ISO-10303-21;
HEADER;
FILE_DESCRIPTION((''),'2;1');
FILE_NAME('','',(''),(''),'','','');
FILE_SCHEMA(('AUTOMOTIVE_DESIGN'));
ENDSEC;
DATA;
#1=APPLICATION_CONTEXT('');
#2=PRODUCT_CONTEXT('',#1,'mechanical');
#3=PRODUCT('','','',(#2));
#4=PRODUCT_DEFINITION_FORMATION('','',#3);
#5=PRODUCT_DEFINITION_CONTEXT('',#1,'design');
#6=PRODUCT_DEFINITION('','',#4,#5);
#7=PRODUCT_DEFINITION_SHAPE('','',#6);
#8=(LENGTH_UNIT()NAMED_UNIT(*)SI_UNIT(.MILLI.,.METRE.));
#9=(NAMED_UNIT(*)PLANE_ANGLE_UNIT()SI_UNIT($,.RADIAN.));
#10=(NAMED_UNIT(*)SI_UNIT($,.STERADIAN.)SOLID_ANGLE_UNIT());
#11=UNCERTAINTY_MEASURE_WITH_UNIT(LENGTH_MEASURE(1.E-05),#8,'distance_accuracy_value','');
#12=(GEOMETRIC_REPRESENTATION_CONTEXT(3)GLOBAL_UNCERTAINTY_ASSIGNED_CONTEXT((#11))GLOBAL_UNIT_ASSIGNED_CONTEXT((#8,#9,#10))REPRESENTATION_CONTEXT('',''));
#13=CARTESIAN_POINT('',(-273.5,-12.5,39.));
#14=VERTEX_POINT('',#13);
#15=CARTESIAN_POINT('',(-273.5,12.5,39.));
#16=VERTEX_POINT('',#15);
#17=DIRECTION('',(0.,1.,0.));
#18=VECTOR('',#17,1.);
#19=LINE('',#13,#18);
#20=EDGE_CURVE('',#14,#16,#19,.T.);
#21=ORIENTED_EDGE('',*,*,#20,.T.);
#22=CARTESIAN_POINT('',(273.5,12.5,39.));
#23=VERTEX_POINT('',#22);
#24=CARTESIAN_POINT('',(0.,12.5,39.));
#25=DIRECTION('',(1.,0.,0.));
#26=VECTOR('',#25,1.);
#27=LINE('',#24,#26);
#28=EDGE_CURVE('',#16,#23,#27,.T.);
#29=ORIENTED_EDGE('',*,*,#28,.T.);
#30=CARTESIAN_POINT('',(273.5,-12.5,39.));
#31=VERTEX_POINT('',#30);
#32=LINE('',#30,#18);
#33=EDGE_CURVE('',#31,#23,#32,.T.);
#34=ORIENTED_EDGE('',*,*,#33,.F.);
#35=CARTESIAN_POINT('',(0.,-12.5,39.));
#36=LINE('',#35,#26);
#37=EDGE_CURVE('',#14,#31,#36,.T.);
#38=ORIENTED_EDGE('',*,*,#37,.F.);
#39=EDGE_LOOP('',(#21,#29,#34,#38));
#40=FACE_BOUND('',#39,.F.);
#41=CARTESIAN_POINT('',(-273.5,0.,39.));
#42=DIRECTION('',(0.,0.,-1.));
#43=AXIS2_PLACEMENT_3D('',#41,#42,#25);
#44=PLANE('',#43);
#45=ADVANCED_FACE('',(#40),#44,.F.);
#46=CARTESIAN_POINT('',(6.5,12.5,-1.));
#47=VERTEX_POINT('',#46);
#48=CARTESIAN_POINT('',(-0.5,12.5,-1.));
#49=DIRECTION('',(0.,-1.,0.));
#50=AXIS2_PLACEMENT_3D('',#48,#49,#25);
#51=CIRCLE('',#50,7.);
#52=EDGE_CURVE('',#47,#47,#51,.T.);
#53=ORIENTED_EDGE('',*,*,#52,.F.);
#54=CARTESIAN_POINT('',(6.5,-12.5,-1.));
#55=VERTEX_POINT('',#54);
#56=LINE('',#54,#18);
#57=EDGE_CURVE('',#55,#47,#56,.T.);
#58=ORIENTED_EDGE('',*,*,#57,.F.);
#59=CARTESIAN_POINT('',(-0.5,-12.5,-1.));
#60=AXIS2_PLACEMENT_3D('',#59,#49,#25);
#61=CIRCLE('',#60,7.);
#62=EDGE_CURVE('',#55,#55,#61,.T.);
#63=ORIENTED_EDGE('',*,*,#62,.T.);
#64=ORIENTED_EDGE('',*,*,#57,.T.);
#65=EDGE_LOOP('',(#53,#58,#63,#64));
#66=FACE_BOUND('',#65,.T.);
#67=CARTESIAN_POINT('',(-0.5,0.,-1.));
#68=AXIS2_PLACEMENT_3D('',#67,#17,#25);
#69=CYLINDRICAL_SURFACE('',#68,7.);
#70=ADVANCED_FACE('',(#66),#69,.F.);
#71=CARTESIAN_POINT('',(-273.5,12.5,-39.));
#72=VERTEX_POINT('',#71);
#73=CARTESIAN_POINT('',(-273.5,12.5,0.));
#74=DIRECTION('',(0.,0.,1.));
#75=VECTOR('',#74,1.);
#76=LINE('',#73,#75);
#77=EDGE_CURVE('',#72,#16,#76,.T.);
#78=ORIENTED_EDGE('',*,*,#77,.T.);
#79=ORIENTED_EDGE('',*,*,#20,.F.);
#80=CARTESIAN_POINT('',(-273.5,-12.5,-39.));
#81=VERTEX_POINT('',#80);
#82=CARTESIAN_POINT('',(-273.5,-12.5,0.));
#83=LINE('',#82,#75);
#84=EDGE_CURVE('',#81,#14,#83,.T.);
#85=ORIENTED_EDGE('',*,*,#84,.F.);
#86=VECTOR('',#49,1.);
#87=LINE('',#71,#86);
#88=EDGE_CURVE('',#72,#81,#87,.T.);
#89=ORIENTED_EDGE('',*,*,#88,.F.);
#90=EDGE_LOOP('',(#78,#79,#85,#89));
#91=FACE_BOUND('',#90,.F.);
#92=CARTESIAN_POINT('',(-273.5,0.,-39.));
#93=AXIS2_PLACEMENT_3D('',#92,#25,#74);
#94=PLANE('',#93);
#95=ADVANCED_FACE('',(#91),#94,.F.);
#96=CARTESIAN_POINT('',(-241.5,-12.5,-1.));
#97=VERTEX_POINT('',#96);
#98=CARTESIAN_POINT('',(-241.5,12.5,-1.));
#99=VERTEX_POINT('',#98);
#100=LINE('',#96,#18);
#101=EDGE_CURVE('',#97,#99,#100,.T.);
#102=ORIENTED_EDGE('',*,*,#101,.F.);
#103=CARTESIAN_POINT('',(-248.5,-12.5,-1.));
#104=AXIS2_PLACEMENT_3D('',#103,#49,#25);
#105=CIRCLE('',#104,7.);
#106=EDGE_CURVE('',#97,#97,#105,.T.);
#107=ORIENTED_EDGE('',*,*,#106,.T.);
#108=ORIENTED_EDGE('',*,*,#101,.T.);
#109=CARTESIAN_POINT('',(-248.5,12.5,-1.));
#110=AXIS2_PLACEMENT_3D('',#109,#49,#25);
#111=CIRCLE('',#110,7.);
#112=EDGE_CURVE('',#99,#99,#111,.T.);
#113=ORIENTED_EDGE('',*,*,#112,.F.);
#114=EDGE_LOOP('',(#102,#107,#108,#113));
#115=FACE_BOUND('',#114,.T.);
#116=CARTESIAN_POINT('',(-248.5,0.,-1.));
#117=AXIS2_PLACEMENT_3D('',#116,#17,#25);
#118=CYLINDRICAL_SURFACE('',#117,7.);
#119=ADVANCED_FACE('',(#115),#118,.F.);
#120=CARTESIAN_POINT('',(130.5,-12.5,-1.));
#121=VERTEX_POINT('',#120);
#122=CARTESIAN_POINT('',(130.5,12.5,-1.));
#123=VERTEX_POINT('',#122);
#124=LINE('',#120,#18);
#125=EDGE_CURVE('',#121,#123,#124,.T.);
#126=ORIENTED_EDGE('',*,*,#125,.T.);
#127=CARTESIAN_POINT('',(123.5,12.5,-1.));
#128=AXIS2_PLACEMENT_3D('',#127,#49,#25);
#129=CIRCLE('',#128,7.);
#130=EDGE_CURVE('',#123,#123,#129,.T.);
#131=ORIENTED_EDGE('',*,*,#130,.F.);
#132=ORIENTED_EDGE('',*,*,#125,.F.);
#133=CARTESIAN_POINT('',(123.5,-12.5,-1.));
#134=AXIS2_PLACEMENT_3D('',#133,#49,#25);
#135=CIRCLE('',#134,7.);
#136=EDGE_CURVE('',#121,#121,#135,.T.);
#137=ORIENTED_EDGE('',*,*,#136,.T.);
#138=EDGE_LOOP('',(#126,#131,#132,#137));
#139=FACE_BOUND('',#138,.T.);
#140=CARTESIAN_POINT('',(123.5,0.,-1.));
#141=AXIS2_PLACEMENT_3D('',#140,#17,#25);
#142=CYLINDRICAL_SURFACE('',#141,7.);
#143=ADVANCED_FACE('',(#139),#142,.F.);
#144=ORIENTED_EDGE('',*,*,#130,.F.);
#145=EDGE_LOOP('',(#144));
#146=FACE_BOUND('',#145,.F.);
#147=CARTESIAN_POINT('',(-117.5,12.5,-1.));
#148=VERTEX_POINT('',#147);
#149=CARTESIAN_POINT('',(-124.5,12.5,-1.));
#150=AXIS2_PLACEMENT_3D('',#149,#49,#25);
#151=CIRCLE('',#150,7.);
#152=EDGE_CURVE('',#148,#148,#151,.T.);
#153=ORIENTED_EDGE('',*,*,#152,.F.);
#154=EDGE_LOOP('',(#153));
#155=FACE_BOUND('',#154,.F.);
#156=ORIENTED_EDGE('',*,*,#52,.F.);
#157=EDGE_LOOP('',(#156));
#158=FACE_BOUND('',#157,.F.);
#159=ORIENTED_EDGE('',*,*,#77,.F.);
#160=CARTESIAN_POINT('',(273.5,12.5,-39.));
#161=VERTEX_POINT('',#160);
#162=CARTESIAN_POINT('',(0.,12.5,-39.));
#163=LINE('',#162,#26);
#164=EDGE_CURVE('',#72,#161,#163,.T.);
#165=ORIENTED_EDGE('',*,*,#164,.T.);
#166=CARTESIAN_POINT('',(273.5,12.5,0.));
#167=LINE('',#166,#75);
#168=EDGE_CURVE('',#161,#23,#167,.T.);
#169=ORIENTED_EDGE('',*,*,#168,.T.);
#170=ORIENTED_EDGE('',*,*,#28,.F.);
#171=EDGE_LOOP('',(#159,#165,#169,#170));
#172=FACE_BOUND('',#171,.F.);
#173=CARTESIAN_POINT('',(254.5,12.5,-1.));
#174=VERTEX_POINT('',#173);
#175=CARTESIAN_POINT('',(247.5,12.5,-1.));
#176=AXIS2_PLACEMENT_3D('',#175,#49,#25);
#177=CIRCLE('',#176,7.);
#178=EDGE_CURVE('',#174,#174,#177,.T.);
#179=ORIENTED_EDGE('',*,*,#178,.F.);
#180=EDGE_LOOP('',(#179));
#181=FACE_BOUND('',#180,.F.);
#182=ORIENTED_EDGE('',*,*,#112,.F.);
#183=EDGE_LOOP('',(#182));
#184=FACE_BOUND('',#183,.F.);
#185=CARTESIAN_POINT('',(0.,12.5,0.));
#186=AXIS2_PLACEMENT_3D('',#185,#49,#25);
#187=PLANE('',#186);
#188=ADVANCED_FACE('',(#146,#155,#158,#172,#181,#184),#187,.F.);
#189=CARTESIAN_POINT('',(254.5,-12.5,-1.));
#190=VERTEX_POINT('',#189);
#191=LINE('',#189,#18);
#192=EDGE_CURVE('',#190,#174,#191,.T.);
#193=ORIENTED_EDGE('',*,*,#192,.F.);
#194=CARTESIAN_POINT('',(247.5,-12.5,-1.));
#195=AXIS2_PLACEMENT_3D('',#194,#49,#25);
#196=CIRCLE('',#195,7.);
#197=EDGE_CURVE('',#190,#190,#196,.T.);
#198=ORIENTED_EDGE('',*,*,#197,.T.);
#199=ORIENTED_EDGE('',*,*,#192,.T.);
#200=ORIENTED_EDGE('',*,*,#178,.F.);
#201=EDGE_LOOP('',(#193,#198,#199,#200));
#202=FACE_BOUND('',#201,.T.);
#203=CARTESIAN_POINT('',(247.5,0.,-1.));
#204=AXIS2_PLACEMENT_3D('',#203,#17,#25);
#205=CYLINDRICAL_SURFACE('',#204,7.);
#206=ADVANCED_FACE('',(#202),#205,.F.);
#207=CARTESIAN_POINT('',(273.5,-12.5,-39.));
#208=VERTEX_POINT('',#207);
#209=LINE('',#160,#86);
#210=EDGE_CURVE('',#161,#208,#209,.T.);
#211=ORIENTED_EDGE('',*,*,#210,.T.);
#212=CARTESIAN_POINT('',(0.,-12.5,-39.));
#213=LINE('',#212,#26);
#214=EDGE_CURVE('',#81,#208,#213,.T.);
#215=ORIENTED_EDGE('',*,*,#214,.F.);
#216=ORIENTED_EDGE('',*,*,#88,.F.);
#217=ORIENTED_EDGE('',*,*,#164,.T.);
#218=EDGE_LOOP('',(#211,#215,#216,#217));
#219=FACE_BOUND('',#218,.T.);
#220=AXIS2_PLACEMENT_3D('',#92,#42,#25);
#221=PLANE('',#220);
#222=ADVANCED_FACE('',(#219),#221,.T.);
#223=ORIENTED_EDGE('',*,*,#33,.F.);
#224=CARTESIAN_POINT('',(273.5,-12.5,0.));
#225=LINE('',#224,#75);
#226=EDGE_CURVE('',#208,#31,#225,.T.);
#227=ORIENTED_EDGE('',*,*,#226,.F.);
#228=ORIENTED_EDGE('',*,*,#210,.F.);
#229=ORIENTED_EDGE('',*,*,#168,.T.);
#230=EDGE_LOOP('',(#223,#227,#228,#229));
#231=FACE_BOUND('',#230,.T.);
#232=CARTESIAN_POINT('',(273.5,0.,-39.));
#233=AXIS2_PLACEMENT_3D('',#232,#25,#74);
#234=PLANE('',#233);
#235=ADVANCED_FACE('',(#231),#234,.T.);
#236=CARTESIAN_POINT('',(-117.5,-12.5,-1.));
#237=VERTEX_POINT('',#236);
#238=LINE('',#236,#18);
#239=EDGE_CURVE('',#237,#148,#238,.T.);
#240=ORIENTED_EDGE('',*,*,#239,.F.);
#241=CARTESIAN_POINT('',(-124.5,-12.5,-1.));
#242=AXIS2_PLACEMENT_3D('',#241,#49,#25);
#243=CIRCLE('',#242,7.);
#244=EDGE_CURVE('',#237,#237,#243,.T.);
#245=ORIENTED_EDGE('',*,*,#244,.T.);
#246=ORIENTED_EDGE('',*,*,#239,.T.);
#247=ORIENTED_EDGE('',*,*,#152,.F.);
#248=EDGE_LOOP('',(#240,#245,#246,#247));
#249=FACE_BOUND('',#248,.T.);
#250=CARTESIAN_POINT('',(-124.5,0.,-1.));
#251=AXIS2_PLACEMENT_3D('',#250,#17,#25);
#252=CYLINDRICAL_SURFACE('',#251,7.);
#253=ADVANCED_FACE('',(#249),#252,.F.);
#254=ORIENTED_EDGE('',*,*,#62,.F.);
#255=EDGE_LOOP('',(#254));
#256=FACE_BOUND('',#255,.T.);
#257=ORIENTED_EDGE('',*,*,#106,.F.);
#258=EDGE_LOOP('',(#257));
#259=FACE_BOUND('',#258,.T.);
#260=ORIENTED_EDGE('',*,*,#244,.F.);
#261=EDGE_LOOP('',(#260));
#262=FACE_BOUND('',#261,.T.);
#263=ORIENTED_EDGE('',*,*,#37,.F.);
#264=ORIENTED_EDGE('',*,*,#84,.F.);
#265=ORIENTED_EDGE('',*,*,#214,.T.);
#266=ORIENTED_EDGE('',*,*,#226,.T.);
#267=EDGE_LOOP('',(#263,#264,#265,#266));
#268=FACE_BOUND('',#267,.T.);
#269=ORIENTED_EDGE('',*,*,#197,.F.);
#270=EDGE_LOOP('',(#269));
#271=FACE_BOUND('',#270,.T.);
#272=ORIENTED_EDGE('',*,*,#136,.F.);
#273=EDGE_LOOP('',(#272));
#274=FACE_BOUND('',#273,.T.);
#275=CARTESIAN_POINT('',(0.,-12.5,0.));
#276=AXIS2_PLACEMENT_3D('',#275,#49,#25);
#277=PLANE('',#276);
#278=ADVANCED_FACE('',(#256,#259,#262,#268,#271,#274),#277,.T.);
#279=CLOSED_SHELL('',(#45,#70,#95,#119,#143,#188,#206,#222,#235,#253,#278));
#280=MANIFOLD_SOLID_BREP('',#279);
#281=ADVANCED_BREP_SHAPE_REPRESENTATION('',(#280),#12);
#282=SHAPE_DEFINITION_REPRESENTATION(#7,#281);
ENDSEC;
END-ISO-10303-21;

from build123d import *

# Parameters (mm, degrees)
F0_W     = 547
F0_H     = 78
F0_R     = 7
F1_DEPTH = 12.5


with BuildPart() as f1:
    # F0 (on Front) → F1 (new body, symmetric)
    with BuildSketch(Plane.XZ):
        Rectangle(F0_W, F0_H)
        with Locations((-248.5, -1)):
            Circle(F0_R, mode=Mode.SUBTRACT)
        with Locations((-124.5, -1)):
            Circle(F0_R, mode=Mode.SUBTRACT)
        with Locations((-0.5, -1)):
            Circle(F0_R, mode=Mode.SUBTRACT)
        with Locations((123.5, -1)):
            Circle(F0_R, mode=Mode.SUBTRACT)
        with Locations((247.5, -1)):
            Circle(F0_R, mode=Mode.SUBTRACT)
    extrude(amount=F1_DEPTH, both=True)


solid = f1.part
